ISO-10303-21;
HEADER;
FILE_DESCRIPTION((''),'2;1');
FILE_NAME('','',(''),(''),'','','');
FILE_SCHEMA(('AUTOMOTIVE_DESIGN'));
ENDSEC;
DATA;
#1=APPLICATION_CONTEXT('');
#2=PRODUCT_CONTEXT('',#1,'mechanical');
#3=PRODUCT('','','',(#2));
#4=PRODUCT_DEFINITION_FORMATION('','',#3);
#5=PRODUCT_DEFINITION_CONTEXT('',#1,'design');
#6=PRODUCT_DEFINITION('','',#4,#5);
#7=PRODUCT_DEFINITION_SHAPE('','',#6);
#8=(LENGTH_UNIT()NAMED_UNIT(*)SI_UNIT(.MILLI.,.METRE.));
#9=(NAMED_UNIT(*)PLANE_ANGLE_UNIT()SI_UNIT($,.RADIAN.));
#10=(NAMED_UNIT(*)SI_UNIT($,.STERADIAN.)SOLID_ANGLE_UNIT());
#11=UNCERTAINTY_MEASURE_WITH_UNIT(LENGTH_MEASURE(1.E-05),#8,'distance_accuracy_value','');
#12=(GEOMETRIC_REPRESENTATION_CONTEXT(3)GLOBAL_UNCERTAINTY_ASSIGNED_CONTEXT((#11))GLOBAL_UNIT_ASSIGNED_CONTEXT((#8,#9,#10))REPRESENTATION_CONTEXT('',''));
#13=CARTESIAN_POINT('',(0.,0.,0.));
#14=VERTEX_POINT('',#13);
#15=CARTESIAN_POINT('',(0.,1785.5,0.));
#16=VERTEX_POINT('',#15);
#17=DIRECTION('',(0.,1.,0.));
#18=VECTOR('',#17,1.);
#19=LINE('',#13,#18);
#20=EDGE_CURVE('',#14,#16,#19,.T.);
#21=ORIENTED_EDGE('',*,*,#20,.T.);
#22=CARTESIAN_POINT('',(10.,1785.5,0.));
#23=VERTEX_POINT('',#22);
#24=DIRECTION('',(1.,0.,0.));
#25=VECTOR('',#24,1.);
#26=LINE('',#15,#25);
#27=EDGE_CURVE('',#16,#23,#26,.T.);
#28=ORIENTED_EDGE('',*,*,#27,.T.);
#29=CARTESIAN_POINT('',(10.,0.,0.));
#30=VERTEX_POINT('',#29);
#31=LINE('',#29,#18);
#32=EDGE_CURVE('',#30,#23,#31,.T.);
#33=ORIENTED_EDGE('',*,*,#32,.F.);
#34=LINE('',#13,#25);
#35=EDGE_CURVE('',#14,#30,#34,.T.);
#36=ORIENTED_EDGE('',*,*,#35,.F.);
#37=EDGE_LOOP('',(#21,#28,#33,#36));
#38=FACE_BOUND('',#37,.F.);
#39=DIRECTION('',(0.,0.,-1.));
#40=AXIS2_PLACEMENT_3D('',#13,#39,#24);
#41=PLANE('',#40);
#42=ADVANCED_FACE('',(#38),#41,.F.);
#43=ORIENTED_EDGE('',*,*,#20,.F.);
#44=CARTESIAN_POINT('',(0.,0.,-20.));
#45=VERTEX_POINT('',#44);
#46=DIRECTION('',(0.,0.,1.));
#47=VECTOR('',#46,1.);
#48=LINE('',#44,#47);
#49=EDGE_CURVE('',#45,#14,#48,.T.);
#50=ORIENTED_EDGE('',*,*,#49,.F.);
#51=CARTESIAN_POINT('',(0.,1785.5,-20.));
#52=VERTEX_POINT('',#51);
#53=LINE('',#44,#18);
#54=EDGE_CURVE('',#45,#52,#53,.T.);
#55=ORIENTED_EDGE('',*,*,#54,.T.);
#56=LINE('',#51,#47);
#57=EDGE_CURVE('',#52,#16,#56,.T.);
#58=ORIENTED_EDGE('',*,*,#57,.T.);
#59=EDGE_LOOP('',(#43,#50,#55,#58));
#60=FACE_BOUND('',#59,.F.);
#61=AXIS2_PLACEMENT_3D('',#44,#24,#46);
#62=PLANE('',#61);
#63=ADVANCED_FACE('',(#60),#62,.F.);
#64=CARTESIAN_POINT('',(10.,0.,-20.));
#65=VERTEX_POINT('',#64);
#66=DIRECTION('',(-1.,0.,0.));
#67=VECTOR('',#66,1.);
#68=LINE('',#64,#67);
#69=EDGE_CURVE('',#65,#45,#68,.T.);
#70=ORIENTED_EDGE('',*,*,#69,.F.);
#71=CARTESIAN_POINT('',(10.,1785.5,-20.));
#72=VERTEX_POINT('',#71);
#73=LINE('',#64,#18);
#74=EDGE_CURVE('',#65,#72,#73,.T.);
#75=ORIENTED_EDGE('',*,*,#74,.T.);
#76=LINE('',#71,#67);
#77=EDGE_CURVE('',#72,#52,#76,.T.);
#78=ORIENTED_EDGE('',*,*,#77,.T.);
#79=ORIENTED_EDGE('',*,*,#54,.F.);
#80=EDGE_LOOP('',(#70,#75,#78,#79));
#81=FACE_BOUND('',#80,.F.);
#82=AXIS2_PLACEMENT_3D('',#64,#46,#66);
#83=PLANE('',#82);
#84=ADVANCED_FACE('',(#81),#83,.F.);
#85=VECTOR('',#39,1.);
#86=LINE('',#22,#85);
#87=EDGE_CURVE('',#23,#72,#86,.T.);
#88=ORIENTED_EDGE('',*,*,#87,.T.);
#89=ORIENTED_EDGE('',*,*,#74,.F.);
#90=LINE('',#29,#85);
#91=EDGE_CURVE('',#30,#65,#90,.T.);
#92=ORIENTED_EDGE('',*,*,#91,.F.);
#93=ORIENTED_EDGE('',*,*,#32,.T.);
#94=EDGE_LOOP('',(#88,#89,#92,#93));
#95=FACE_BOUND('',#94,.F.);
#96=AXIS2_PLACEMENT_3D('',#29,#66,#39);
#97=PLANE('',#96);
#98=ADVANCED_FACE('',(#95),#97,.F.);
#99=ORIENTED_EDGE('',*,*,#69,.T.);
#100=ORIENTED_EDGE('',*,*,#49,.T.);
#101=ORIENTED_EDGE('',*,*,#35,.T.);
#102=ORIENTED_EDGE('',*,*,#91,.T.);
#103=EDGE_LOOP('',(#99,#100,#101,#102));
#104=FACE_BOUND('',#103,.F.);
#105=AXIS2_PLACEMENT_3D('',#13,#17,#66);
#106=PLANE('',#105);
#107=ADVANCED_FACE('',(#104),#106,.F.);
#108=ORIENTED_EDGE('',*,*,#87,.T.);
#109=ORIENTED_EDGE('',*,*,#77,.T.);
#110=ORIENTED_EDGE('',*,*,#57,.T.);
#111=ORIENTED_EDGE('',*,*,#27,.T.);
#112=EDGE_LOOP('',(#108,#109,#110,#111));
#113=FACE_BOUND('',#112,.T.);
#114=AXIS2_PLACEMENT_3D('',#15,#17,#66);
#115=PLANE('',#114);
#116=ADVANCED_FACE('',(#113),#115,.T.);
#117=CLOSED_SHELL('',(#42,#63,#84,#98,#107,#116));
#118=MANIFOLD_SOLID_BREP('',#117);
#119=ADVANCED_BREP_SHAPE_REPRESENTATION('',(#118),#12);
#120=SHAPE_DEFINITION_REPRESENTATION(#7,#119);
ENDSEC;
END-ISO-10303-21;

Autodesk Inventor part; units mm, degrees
ref_plane "YZ Plane" through (0, 0, 0) normal (1, 0, 0) x (0, 1, 0)
ref_plane "XZ Plane" through (0, 0, 0) normal (0, 1, 0) x (-1, 0, 0)
ref_plane "XY Plane" through (0, 0, 0) normal (0, 0, 1) x (1, 0, 0)
sketch "Sketch1" plane through (0, 0, 0) normal (0, 1, 0) x (-1, 0, 0)
  line L0 (0, 0) -> (-10, 0)
  line L1 (-10, 0) -> (-10, -20)
  line L2 (-10, -20) -> (0, -20)
  line L3 (0, -20) -> (0, 0)
  dimension "d0" = 10
  dimension "d1" = 20
extrude "Extrusion1" add sketch "Sketch1" along normal blind 1785.5
properties part number "wood spar"
